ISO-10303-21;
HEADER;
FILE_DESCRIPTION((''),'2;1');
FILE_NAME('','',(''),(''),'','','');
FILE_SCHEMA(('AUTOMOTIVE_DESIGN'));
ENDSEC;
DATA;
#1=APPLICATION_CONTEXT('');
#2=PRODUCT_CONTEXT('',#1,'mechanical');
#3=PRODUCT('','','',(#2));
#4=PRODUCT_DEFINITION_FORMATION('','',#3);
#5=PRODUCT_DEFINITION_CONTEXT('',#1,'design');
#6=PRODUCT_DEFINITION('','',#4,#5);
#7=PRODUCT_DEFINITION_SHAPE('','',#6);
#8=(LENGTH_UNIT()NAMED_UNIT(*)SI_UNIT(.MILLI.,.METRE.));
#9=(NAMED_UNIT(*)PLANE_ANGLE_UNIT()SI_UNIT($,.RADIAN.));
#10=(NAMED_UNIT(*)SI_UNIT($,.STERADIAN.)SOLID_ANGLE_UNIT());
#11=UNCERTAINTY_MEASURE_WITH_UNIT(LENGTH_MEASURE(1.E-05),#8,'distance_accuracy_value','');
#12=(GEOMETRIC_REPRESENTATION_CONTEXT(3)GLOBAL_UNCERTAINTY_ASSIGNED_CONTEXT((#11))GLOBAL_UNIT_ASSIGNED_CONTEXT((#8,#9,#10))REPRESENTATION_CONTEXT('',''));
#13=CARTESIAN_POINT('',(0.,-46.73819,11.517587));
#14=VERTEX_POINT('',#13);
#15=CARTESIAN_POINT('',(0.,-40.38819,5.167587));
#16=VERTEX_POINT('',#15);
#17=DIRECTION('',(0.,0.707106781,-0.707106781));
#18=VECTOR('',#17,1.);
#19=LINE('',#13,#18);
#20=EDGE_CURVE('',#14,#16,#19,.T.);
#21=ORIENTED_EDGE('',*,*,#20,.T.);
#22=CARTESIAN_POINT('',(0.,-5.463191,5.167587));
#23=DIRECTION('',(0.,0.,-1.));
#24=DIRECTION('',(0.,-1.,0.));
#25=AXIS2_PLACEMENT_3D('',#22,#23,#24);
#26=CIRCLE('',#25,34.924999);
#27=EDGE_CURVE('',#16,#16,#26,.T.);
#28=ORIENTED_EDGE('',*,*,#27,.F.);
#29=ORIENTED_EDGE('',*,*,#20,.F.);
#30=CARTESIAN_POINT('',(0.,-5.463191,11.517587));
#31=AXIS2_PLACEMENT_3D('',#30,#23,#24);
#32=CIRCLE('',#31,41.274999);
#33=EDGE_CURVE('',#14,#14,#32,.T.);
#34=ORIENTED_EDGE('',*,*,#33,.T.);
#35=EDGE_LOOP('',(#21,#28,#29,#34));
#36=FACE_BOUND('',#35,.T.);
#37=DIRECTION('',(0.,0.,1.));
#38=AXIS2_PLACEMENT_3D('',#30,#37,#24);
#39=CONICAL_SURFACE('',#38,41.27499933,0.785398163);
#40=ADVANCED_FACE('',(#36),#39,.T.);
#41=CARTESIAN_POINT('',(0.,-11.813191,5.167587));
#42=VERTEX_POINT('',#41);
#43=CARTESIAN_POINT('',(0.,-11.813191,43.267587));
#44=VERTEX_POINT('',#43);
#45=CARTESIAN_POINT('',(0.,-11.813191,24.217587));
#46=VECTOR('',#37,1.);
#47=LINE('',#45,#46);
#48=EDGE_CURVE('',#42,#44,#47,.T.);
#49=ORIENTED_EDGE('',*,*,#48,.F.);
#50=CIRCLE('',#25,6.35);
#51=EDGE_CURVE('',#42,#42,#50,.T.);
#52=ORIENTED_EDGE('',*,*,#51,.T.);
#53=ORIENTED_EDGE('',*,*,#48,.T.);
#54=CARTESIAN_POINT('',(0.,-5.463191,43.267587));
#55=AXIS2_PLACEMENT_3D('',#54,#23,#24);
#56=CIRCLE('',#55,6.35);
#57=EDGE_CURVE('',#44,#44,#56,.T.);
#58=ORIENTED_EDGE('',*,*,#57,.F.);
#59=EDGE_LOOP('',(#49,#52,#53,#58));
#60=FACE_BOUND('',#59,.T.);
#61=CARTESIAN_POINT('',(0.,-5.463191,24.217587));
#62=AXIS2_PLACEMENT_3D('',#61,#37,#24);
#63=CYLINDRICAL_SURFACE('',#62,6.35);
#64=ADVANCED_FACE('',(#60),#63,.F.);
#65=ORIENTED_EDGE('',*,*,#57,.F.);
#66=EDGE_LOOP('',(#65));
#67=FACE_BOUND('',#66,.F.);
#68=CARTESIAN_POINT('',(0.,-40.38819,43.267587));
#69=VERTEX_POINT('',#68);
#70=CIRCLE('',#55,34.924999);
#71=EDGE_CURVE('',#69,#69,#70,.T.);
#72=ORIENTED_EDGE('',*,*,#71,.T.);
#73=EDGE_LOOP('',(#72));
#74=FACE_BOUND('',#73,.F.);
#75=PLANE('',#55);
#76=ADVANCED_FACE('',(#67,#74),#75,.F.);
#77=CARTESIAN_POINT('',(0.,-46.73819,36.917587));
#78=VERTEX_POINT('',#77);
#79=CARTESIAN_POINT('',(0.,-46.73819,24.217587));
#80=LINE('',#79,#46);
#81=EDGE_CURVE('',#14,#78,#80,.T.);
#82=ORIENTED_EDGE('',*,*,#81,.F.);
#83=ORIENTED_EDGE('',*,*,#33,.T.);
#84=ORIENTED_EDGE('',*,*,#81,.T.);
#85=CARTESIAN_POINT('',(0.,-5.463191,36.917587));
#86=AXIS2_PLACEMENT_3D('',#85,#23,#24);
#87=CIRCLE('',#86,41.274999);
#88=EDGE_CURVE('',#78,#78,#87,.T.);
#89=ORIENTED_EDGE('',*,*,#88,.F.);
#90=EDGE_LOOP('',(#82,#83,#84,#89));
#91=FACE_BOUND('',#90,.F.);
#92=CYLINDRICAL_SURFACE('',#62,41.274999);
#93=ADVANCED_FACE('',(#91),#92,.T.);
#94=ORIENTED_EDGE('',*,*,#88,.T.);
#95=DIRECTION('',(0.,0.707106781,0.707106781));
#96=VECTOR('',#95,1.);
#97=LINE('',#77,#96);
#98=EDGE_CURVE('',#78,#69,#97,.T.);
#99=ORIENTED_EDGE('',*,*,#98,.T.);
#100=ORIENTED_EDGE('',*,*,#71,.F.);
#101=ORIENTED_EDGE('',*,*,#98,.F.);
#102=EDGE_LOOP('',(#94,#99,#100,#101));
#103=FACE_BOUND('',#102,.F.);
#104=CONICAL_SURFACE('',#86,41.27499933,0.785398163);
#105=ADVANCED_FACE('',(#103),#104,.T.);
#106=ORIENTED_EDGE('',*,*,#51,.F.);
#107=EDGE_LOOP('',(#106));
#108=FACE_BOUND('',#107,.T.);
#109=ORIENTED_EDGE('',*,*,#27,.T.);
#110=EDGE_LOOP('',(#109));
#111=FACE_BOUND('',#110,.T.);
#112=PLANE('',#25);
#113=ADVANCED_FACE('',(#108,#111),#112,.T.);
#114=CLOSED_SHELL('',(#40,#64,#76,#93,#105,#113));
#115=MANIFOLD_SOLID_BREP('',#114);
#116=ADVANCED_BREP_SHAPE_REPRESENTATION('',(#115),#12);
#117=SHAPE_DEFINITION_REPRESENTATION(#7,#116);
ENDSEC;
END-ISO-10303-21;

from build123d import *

# Parameters (mm, degrees)
F0_W    = 34.9249993301
F0_H    = 38.1
F2_SIZE = 6.35


with BuildPart() as f1:
    # F0 (on Right) → F1 (revolve)
    with BuildSketch(Plane.YZ):
        with Locations((-29.2756902054, 24.21758743)):
            Rectangle(F0_W, F0_H)
    revolve(axis=Axis((0, -5.4631905403, 23.7577594817), (0, 0, -1)))

    # F2
    f2_edges = [f1.edges().sort_by_distance(p)[0] for p in [
        (0, 35.811809, 43.267587),
        (0, 35.811809, 5.167587),
    ]]
    chamfer(f2_edges, length=F2_SIZE)


solid = f1.part
